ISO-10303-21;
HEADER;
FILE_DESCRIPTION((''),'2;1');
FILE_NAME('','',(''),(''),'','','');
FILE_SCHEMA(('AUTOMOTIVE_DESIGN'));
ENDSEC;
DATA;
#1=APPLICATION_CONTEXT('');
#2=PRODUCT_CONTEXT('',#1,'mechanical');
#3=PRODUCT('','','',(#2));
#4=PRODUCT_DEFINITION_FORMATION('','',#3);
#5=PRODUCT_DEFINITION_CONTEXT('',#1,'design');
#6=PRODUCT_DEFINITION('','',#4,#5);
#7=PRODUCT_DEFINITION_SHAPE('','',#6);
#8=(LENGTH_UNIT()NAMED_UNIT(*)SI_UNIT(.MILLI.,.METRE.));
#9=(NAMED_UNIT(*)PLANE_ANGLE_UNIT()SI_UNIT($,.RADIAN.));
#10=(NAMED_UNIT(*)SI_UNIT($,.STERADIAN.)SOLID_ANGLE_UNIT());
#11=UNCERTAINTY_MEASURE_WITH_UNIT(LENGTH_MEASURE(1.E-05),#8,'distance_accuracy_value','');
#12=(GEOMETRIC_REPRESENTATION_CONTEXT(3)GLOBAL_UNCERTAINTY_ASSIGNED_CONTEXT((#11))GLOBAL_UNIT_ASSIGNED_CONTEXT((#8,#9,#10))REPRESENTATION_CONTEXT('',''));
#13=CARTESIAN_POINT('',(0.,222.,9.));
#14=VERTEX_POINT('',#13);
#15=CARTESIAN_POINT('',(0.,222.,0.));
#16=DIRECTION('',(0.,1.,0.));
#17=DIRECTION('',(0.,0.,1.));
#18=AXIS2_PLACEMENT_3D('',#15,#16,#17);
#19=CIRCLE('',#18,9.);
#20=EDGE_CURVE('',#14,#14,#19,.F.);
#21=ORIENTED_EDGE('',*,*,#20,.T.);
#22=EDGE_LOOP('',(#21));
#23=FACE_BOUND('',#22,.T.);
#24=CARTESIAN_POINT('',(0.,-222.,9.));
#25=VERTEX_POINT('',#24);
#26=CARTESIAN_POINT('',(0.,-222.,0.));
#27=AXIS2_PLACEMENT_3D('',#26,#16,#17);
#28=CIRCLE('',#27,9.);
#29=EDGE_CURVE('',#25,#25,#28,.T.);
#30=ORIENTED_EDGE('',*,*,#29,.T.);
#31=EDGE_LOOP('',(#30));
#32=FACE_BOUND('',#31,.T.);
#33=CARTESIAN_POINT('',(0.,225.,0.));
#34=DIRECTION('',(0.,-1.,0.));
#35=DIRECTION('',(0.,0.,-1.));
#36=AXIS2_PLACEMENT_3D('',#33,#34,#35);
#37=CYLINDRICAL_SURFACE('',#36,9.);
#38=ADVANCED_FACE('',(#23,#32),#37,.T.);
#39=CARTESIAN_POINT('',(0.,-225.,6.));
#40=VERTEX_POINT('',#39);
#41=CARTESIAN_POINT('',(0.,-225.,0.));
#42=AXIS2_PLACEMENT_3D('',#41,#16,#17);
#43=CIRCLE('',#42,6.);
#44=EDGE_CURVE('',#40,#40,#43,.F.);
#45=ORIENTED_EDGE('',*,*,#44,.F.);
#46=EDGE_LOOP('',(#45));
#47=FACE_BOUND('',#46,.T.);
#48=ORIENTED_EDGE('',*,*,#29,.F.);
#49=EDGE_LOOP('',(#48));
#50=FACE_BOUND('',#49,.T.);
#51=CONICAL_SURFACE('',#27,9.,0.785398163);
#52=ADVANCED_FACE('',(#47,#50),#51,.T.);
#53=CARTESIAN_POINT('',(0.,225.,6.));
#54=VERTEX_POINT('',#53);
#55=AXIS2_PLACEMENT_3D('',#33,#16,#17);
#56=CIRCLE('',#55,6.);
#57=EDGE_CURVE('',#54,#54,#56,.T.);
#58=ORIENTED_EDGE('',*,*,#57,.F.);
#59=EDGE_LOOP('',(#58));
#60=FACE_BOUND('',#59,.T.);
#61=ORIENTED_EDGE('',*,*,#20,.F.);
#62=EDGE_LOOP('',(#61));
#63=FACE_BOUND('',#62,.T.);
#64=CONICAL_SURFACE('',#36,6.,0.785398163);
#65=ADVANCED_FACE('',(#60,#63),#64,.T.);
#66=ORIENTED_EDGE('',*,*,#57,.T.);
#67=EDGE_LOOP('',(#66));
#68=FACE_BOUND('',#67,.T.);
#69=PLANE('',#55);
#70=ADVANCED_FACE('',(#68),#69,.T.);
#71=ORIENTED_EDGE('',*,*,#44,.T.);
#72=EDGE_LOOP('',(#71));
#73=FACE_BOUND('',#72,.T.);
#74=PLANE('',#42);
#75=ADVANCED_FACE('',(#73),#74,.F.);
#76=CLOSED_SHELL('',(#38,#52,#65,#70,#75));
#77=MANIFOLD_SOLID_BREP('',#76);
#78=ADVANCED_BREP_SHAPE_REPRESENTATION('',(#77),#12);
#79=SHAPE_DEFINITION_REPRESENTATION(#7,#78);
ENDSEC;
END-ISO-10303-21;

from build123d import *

# Parameters (mm, degrees)
SKETCH1_R           = 9
BOSS_EXTRUDE1_DEPTH = 225
CHAMFER1_SIZE       = 3


with BuildPart() as part:
    # Sketch1 → Boss-Extrude1 (new body, symmetric)
    with BuildSketch(Plane(origin=(0, 0, 0), x_dir=(1, 0, 0), z_dir=(0, 1, 0))):
        Circle(SKETCH1_R)
    extrude(amount=BOSS_EXTRUDE1_DEPTH, both=True)

    # Chamfer1
    chamfer1_edges = [part.edges().sort_by_distance(p)[0] for p in [
        (-9, -225, 0),
        (-9, 225, 0),
    ]]
    chamfer(chamfer1_edges, length=CHAMFER1_SIZE)


solid = part.part
